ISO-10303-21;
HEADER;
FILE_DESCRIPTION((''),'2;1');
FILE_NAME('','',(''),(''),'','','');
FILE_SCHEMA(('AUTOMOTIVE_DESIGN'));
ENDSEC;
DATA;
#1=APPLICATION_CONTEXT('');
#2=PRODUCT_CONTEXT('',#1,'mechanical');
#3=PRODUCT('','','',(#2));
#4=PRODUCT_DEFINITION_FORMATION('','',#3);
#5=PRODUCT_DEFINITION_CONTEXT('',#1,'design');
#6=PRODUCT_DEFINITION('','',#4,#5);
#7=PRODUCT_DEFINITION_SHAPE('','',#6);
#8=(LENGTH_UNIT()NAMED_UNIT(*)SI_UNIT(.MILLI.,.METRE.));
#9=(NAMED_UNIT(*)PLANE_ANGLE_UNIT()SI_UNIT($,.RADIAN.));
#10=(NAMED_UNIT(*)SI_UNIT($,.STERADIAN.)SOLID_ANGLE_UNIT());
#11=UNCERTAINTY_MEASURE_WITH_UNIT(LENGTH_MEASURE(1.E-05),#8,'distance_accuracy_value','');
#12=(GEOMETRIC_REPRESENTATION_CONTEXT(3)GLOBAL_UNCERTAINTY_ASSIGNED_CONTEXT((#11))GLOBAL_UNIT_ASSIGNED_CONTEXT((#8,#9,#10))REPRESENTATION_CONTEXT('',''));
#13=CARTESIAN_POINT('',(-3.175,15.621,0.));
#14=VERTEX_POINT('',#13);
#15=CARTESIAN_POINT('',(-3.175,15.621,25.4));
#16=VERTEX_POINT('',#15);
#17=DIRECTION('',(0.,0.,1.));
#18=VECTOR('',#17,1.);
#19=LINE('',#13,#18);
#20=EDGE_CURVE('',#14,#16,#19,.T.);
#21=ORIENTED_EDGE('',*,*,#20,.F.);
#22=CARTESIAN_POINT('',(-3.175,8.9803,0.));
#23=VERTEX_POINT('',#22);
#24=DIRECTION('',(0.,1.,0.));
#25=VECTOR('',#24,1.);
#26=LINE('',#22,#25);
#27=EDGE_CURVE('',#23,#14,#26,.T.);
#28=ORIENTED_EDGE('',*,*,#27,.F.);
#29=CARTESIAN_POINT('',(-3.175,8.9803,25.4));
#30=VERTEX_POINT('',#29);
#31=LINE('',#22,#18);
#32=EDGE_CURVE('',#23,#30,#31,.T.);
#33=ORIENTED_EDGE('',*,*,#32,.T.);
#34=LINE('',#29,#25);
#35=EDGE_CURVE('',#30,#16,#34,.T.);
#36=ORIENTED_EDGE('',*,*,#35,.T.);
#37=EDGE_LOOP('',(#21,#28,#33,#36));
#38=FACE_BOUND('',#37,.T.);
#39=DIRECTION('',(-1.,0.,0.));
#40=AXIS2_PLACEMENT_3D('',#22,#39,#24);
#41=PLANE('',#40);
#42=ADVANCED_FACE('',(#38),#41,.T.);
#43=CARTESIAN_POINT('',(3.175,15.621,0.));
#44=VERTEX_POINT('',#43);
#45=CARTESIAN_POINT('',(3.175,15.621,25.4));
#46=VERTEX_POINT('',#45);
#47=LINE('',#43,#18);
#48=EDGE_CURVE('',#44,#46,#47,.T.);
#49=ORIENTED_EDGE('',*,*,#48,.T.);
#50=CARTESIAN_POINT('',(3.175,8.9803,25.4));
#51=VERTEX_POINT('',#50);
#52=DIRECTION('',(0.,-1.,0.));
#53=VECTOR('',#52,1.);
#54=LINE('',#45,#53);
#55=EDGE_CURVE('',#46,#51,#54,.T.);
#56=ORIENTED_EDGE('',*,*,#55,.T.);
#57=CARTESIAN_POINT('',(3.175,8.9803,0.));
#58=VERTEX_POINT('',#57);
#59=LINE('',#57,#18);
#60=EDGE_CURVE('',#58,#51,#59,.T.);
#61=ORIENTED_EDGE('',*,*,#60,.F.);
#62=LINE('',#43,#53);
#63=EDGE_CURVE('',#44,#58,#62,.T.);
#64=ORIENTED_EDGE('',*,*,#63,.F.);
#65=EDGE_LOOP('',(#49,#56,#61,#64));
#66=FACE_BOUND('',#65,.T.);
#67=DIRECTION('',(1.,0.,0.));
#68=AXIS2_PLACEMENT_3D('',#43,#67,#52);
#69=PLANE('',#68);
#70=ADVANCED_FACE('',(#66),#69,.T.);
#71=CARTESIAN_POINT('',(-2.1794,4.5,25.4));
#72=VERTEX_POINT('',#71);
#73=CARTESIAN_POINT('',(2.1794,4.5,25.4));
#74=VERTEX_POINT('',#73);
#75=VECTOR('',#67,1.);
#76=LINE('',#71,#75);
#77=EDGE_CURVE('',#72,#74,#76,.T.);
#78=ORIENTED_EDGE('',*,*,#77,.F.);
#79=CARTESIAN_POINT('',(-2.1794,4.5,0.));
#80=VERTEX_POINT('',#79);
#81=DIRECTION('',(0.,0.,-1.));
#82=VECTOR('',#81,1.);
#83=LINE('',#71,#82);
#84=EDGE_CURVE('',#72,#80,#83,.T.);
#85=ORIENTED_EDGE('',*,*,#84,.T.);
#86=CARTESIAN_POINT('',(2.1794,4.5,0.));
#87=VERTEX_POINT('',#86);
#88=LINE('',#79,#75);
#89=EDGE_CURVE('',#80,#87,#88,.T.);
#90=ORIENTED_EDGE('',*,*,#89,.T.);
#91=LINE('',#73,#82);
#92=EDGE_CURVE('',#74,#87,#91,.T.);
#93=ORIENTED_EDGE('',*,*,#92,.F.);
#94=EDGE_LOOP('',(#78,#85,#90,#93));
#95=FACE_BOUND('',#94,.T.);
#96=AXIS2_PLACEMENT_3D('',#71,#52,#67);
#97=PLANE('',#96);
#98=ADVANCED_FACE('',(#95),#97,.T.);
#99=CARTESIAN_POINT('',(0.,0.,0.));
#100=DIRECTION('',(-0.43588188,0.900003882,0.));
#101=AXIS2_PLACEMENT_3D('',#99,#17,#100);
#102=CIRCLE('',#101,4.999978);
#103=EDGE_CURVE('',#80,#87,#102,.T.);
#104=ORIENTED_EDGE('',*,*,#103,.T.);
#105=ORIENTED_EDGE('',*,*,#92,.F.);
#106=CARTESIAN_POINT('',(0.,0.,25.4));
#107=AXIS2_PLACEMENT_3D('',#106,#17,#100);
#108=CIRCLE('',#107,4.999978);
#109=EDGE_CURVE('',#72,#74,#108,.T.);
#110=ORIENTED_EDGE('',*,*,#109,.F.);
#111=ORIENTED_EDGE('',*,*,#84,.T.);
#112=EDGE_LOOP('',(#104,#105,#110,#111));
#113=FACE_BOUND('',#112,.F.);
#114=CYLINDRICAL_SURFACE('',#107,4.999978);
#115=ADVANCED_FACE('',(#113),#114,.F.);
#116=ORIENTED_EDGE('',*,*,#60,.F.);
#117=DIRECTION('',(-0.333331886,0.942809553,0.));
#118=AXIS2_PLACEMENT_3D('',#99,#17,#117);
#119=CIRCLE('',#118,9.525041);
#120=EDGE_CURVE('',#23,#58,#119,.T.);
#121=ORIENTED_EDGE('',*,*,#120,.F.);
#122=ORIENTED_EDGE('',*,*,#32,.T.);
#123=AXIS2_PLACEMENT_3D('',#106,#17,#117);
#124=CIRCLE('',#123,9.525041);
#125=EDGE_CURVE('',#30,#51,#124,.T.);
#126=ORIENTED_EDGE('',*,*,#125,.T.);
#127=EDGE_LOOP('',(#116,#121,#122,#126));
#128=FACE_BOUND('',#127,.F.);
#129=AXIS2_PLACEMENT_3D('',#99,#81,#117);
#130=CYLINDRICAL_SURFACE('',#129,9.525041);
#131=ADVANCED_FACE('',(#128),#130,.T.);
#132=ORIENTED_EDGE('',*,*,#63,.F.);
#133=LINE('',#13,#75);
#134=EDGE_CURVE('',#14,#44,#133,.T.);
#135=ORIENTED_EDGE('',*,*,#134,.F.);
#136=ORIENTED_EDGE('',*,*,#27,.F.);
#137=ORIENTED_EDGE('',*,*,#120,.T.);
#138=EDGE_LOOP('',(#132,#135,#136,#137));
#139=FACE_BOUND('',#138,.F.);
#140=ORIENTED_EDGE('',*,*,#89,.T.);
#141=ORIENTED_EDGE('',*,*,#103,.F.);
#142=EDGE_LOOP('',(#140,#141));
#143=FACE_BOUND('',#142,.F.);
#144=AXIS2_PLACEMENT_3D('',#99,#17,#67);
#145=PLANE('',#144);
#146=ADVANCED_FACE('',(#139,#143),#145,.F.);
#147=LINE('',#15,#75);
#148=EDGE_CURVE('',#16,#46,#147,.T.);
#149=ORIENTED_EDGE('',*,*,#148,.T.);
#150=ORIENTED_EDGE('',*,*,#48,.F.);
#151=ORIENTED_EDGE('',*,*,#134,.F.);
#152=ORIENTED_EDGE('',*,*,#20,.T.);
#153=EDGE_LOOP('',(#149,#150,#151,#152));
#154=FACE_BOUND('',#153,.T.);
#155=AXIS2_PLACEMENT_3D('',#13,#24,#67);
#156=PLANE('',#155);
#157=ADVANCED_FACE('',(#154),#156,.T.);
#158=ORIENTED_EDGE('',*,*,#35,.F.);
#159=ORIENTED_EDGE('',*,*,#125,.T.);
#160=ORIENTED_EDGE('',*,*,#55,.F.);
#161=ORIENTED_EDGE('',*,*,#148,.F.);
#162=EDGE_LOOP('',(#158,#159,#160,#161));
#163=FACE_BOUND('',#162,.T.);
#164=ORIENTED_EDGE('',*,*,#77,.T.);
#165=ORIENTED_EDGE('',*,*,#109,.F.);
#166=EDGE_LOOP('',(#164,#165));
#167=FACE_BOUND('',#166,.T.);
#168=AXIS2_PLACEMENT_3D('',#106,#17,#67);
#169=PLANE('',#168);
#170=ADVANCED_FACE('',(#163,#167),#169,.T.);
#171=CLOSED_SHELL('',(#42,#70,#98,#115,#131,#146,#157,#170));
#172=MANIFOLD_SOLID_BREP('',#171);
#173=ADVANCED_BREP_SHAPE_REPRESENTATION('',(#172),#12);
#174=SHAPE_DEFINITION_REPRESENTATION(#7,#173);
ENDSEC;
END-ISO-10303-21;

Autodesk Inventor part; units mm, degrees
ref_plane "YZ Plane" through (0, 0, 0) normal (1, 0, 0) x (0, 1, 0)
ref_plane "XZ Plane" through (0, 0, 0) normal (0, 1, 0) x (-1, 0, 0)
ref_plane "XY Plane" through (0, 0, 0) normal (0, 0, 1) x (1, 0, 0)
sketch "Sketch1" plane through (0, 0, 0) normal (0, 0, 1) x (1, 0, 0)
  arc A0 (-3.175, 8.9803) -> (3.175, 8.9803) centre (0, 0) ccw
  line L0 (-3.175, 15.621) -> (3.175, 15.621)
  line L1 (3.175, 15.621) -> (3.175, 8.9803)
  line L2 (-3.175, 8.9803) -> (-3.175, 15.621)
  dimension "d0" = 19.05
  dimension "d1" = 6.35
extrude "Extrusion1" add sketch "Sketch1" along normal blind 25.4
sketch "Sketch2" plane through (0, 0, 25.4) normal (0, 0, 1) x (1, 0, 0)
  arc A0 (-2.1794, 4.5) -> (2.1794, 4.5) centre (0, 0) ccw
  line L0 (-2.1794, 4.5) -> (2.1794, 4.5)
  dimension "d7" = 10
  dimension "d8" = 9.5
extrude "Extrusion2" cut sketch "Sketch2" against normal blind 25.4
properties part number "Seeder Motor Gear key"
